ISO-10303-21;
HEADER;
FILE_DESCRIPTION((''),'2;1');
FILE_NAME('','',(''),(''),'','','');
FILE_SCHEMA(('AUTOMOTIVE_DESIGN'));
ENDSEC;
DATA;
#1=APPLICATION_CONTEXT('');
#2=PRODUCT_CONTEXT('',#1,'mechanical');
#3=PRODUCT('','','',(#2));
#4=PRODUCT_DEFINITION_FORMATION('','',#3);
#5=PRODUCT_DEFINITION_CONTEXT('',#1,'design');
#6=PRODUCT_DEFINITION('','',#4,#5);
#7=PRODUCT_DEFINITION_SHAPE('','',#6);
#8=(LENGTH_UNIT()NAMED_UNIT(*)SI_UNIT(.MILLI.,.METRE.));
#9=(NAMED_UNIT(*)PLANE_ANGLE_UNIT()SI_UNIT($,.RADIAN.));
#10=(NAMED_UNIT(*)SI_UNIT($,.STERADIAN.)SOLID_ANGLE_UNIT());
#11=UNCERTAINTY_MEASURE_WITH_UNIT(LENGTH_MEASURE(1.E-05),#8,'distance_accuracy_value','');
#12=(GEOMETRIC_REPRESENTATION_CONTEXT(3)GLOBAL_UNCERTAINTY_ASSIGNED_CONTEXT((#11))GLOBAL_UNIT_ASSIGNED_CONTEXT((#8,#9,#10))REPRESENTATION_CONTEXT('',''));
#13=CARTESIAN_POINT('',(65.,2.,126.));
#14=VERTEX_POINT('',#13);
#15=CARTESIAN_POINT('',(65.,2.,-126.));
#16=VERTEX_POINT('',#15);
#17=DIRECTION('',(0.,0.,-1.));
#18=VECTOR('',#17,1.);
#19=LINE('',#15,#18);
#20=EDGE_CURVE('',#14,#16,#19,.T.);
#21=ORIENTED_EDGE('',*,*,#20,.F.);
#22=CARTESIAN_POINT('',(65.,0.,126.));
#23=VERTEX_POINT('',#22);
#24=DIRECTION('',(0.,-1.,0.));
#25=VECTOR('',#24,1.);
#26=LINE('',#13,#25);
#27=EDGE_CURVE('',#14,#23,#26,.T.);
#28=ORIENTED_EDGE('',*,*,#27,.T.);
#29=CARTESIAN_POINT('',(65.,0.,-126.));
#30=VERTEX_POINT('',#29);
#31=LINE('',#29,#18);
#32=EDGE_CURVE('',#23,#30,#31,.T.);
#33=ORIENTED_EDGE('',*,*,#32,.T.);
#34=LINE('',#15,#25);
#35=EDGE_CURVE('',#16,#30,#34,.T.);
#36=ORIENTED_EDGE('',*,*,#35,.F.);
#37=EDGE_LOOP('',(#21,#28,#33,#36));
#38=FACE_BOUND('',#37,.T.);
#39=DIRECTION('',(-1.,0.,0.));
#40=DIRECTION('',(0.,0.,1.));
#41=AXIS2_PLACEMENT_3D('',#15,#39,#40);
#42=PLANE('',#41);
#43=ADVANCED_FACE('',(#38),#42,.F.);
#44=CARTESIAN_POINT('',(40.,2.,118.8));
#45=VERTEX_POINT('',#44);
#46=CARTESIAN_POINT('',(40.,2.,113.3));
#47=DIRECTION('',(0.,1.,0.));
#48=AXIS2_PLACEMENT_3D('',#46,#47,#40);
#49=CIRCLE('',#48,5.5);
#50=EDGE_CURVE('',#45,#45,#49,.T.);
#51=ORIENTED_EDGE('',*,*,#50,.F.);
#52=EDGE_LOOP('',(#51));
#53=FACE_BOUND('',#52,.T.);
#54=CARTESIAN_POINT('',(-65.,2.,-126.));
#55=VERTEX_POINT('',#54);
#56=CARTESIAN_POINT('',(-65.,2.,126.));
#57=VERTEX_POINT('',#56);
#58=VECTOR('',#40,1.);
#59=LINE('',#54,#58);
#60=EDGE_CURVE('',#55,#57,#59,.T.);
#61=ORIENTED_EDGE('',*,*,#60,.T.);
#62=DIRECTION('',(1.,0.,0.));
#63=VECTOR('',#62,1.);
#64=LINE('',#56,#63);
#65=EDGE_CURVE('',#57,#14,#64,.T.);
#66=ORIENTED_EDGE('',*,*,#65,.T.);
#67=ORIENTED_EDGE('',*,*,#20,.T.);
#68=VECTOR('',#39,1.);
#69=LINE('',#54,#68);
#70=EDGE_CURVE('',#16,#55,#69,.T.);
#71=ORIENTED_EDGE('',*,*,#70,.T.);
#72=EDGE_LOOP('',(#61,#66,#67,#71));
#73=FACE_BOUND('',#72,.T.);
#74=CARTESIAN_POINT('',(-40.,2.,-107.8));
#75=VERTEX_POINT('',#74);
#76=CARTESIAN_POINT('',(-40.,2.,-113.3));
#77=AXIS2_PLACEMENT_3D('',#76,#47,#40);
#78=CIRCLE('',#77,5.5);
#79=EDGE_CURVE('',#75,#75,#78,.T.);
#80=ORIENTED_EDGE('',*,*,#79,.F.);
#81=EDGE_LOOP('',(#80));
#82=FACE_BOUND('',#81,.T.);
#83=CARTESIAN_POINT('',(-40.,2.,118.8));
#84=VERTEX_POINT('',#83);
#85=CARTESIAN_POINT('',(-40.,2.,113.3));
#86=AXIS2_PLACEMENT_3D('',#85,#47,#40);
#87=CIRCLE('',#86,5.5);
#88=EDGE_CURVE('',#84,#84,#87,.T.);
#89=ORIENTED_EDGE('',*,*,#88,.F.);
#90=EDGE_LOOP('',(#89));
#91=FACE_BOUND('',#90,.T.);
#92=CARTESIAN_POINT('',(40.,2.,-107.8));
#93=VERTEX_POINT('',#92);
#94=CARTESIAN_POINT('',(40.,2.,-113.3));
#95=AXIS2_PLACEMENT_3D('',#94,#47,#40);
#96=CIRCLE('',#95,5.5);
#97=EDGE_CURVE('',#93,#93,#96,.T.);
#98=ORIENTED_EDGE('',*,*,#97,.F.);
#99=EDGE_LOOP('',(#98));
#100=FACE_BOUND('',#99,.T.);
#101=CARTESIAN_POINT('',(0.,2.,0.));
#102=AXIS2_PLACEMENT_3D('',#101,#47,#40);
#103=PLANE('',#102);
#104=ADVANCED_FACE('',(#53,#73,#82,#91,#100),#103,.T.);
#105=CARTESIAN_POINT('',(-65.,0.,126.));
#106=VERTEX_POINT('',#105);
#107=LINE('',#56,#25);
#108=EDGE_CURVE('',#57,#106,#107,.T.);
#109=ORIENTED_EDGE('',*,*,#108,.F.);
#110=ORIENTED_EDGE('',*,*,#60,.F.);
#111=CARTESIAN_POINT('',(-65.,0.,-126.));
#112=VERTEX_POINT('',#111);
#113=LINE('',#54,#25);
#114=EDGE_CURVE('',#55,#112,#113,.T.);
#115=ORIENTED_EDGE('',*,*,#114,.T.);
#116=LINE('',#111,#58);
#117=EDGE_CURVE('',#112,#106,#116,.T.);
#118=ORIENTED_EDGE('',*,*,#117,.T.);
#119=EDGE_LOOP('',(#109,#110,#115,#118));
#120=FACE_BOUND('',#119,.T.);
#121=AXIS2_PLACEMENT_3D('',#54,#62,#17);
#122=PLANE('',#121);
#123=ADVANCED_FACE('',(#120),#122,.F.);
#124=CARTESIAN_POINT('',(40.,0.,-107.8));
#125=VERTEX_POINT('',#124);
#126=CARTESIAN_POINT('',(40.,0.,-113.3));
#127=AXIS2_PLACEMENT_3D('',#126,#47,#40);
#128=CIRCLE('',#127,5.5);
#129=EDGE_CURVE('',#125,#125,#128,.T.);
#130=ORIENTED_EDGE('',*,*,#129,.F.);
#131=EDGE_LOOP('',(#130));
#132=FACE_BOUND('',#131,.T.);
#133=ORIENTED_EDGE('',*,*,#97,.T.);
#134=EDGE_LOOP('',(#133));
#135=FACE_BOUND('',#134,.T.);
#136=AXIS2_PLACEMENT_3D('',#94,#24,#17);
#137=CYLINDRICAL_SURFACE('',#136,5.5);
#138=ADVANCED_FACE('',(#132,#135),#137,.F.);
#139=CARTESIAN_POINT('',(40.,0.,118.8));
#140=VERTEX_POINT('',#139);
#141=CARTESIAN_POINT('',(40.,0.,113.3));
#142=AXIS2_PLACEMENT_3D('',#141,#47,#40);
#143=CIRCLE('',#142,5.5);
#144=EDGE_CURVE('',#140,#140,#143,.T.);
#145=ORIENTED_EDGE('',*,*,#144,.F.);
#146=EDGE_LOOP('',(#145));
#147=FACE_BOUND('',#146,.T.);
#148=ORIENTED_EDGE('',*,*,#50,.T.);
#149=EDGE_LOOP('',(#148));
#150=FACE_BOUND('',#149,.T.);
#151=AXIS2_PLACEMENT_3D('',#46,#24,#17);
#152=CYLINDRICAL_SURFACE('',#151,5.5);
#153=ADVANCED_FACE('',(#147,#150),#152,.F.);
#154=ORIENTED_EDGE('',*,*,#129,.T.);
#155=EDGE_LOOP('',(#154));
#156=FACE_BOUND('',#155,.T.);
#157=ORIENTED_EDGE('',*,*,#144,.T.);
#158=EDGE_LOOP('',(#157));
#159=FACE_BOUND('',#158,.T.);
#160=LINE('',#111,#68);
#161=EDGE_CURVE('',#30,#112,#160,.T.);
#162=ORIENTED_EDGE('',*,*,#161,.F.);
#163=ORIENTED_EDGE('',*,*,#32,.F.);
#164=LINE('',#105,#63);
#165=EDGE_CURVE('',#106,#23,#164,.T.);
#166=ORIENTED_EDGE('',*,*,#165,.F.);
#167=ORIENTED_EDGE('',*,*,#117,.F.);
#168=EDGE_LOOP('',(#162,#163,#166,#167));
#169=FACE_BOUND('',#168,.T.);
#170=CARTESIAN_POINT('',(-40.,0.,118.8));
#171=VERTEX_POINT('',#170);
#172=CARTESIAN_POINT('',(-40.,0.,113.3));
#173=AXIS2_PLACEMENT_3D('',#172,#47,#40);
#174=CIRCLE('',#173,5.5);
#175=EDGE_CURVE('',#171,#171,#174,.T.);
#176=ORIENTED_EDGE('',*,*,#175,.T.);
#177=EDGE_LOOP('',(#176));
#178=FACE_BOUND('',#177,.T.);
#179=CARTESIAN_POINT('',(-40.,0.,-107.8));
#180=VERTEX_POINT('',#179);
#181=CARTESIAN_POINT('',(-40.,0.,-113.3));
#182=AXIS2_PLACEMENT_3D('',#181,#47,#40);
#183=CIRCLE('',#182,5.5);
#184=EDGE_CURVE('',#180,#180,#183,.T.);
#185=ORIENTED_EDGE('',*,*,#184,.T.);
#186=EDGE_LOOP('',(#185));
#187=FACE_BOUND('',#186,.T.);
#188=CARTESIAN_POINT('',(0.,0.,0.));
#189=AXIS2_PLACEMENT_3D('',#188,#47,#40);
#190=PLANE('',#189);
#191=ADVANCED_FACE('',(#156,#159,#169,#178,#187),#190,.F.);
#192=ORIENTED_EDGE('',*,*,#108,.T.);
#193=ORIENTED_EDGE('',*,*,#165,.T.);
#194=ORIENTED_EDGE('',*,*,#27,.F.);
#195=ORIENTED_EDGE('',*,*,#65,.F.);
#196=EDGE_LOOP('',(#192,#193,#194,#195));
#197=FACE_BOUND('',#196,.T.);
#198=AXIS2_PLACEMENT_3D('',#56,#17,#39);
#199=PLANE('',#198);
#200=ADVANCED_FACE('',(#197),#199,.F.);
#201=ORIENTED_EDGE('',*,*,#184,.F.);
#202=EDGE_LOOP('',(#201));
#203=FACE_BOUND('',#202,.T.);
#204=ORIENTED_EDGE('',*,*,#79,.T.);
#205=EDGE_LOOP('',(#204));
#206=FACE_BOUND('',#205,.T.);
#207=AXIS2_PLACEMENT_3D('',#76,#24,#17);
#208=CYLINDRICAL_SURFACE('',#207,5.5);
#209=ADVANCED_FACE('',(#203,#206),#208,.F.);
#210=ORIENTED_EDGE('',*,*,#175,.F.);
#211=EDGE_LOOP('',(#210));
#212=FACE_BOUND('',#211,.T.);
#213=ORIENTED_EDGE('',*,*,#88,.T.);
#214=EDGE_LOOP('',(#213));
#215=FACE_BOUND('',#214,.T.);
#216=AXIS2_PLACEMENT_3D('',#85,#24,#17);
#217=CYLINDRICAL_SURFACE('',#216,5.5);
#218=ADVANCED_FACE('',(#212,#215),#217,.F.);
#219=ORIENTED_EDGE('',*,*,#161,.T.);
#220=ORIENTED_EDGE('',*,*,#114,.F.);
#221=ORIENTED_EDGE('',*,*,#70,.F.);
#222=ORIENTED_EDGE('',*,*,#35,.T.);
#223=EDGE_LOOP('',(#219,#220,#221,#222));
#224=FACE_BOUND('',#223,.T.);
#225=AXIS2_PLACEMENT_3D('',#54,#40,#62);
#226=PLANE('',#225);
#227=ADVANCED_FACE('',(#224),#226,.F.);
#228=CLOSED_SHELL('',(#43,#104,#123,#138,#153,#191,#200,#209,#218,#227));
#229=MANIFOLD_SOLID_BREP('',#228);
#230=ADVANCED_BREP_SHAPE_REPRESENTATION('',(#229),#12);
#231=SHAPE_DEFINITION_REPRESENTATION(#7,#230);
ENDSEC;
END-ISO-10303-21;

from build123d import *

# Parameters (mm, degrees)
SKETCH1_W           = 130
SKETCH1_H           = 252
SKETCH1_R           = 5.5
BOSS_EXTRUDE1_DEPTH = 2


with BuildPart() as part:
    # Sketch1 → Boss-Extrude1 (new body)
    with BuildSketch(Plane(origin=(0, 0, 0), x_dir=(1, 0, 0), z_dir=(0, 1, 0))):
        Rectangle(SKETCH1_W, SKETCH1_H)
        with Locations((-40, 113.3)):
            Circle(SKETCH1_R, mode=Mode.SUBTRACT)
        with Locations((40, 113.3)):
            Circle(SKETCH1_R, mode=Mode.SUBTRACT)
        with Locations((40, -113.3)):
            Circle(SKETCH1_R, mode=Mode.SUBTRACT)
        with Locations((-40, -113.3)):
            Circle(SKETCH1_R, mode=Mode.SUBTRACT)
    extrude(amount=BOSS_EXTRUDE1_DEPTH)


solid = part.part
